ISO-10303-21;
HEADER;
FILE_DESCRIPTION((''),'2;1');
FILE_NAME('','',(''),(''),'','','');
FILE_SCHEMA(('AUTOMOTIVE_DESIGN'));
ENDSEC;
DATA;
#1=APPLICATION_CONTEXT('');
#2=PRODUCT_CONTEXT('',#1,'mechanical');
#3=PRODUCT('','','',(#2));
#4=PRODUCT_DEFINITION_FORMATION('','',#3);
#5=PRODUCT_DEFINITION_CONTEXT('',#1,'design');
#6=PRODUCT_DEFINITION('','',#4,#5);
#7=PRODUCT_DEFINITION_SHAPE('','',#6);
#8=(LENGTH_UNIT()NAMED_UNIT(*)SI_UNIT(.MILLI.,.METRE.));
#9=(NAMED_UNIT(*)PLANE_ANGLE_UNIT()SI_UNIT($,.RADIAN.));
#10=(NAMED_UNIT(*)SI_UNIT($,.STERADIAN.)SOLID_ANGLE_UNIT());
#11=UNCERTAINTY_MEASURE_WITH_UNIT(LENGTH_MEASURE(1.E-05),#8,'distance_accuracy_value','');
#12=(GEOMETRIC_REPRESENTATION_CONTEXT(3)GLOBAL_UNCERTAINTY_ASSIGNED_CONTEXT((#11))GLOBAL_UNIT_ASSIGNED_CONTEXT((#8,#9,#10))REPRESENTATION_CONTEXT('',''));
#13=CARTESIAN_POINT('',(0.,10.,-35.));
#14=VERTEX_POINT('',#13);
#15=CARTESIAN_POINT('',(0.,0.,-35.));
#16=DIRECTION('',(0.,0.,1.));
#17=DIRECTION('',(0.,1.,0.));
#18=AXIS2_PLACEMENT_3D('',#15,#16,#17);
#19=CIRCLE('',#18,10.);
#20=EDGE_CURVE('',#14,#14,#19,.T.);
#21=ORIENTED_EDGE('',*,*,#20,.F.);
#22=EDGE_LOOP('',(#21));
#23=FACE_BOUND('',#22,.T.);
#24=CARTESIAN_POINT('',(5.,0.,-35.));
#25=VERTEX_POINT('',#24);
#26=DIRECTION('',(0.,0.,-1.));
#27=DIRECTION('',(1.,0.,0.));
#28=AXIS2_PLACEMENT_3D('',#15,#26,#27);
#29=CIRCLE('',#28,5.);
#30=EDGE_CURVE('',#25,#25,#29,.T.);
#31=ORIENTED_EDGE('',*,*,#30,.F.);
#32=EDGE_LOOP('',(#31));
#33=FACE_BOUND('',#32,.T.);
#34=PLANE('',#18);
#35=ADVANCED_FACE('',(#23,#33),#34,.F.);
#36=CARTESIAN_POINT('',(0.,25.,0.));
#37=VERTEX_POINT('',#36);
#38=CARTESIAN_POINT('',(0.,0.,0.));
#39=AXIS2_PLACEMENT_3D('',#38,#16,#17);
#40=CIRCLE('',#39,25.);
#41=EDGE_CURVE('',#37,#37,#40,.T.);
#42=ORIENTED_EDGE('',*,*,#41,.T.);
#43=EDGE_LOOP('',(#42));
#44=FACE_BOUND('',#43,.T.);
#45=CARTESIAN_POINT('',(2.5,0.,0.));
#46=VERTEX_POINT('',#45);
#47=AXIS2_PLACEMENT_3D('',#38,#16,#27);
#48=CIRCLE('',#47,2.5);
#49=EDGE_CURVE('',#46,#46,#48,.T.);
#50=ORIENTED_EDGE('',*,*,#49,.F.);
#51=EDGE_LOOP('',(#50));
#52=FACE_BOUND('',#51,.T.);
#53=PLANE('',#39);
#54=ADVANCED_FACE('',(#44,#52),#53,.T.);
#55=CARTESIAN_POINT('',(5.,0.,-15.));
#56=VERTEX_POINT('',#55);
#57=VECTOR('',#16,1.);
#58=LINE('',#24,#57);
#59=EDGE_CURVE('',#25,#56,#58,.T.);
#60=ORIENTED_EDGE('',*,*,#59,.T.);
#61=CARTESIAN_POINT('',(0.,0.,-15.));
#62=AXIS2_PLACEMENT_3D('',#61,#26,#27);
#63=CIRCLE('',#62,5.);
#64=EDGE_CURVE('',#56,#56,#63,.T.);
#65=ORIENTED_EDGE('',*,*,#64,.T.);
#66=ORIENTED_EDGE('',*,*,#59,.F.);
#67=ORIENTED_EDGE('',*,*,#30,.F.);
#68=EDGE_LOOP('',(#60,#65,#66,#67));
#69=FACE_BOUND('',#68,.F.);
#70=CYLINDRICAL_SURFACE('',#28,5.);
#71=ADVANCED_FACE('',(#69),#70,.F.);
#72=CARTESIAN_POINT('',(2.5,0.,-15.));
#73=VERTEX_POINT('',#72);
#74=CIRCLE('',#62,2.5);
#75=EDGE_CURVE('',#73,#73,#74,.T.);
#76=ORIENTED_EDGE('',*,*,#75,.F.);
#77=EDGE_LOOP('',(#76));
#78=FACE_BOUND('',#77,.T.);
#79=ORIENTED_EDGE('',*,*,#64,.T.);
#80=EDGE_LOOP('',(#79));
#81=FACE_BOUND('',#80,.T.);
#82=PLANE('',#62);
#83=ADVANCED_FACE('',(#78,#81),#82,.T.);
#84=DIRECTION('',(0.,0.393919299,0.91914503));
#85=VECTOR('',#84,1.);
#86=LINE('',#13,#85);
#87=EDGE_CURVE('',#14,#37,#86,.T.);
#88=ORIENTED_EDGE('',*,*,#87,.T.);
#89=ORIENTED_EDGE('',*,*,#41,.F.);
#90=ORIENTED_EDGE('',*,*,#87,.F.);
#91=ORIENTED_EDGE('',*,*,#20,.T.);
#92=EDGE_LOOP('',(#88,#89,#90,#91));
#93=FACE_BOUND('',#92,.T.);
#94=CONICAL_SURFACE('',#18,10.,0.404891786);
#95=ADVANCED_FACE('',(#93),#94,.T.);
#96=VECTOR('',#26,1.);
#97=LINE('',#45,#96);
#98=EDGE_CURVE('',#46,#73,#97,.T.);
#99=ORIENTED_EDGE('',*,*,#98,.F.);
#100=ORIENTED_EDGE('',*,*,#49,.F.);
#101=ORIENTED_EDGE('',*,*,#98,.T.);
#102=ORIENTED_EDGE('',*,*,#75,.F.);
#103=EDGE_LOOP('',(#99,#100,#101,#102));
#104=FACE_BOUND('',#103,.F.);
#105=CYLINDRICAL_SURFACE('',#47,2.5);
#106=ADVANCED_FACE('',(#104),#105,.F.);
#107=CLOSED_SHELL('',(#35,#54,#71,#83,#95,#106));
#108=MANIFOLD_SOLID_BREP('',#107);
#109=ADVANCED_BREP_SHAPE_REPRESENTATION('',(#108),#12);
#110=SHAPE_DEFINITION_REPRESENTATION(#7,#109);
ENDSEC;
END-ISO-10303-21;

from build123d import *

# Parameters (mm, degrees)
F2_R     = 2.5
F3_DEPTH = 35.001
F4_R     = 5
F4_R_2   = 2.5
F5_DEPTH = 20


with BuildPart() as f1:
    # F0 (on Right) → F1 (revolve)
    with BuildSketch(Plane.YZ):
        Polygon((25, 0), (0, 0), (0, -35), (10, -35), align=None)
    revolve(axis=Axis((0, 0, -17.5), (0, 0, 1)))

    # F2 (on face) → F3 (cut, through all)
    with BuildSketch(Plane.XY):
        Circle(F2_R)
    extrude(amount=-F3_DEPTH, mode=Mode.SUBTRACT)

    # F4 (on face) → F5 (cut)
    with BuildSketch(Plane(origin=(0, 0, -35), x_dir=(1, 0, 0), z_dir=(0, 0, -1))):
        Circle(F4_R)
        Circle(F4_R_2, mode=Mode.SUBTRACT)
    extrude(amount=-F5_DEPTH, mode=Mode.SUBTRACT)


solid = f1.part
